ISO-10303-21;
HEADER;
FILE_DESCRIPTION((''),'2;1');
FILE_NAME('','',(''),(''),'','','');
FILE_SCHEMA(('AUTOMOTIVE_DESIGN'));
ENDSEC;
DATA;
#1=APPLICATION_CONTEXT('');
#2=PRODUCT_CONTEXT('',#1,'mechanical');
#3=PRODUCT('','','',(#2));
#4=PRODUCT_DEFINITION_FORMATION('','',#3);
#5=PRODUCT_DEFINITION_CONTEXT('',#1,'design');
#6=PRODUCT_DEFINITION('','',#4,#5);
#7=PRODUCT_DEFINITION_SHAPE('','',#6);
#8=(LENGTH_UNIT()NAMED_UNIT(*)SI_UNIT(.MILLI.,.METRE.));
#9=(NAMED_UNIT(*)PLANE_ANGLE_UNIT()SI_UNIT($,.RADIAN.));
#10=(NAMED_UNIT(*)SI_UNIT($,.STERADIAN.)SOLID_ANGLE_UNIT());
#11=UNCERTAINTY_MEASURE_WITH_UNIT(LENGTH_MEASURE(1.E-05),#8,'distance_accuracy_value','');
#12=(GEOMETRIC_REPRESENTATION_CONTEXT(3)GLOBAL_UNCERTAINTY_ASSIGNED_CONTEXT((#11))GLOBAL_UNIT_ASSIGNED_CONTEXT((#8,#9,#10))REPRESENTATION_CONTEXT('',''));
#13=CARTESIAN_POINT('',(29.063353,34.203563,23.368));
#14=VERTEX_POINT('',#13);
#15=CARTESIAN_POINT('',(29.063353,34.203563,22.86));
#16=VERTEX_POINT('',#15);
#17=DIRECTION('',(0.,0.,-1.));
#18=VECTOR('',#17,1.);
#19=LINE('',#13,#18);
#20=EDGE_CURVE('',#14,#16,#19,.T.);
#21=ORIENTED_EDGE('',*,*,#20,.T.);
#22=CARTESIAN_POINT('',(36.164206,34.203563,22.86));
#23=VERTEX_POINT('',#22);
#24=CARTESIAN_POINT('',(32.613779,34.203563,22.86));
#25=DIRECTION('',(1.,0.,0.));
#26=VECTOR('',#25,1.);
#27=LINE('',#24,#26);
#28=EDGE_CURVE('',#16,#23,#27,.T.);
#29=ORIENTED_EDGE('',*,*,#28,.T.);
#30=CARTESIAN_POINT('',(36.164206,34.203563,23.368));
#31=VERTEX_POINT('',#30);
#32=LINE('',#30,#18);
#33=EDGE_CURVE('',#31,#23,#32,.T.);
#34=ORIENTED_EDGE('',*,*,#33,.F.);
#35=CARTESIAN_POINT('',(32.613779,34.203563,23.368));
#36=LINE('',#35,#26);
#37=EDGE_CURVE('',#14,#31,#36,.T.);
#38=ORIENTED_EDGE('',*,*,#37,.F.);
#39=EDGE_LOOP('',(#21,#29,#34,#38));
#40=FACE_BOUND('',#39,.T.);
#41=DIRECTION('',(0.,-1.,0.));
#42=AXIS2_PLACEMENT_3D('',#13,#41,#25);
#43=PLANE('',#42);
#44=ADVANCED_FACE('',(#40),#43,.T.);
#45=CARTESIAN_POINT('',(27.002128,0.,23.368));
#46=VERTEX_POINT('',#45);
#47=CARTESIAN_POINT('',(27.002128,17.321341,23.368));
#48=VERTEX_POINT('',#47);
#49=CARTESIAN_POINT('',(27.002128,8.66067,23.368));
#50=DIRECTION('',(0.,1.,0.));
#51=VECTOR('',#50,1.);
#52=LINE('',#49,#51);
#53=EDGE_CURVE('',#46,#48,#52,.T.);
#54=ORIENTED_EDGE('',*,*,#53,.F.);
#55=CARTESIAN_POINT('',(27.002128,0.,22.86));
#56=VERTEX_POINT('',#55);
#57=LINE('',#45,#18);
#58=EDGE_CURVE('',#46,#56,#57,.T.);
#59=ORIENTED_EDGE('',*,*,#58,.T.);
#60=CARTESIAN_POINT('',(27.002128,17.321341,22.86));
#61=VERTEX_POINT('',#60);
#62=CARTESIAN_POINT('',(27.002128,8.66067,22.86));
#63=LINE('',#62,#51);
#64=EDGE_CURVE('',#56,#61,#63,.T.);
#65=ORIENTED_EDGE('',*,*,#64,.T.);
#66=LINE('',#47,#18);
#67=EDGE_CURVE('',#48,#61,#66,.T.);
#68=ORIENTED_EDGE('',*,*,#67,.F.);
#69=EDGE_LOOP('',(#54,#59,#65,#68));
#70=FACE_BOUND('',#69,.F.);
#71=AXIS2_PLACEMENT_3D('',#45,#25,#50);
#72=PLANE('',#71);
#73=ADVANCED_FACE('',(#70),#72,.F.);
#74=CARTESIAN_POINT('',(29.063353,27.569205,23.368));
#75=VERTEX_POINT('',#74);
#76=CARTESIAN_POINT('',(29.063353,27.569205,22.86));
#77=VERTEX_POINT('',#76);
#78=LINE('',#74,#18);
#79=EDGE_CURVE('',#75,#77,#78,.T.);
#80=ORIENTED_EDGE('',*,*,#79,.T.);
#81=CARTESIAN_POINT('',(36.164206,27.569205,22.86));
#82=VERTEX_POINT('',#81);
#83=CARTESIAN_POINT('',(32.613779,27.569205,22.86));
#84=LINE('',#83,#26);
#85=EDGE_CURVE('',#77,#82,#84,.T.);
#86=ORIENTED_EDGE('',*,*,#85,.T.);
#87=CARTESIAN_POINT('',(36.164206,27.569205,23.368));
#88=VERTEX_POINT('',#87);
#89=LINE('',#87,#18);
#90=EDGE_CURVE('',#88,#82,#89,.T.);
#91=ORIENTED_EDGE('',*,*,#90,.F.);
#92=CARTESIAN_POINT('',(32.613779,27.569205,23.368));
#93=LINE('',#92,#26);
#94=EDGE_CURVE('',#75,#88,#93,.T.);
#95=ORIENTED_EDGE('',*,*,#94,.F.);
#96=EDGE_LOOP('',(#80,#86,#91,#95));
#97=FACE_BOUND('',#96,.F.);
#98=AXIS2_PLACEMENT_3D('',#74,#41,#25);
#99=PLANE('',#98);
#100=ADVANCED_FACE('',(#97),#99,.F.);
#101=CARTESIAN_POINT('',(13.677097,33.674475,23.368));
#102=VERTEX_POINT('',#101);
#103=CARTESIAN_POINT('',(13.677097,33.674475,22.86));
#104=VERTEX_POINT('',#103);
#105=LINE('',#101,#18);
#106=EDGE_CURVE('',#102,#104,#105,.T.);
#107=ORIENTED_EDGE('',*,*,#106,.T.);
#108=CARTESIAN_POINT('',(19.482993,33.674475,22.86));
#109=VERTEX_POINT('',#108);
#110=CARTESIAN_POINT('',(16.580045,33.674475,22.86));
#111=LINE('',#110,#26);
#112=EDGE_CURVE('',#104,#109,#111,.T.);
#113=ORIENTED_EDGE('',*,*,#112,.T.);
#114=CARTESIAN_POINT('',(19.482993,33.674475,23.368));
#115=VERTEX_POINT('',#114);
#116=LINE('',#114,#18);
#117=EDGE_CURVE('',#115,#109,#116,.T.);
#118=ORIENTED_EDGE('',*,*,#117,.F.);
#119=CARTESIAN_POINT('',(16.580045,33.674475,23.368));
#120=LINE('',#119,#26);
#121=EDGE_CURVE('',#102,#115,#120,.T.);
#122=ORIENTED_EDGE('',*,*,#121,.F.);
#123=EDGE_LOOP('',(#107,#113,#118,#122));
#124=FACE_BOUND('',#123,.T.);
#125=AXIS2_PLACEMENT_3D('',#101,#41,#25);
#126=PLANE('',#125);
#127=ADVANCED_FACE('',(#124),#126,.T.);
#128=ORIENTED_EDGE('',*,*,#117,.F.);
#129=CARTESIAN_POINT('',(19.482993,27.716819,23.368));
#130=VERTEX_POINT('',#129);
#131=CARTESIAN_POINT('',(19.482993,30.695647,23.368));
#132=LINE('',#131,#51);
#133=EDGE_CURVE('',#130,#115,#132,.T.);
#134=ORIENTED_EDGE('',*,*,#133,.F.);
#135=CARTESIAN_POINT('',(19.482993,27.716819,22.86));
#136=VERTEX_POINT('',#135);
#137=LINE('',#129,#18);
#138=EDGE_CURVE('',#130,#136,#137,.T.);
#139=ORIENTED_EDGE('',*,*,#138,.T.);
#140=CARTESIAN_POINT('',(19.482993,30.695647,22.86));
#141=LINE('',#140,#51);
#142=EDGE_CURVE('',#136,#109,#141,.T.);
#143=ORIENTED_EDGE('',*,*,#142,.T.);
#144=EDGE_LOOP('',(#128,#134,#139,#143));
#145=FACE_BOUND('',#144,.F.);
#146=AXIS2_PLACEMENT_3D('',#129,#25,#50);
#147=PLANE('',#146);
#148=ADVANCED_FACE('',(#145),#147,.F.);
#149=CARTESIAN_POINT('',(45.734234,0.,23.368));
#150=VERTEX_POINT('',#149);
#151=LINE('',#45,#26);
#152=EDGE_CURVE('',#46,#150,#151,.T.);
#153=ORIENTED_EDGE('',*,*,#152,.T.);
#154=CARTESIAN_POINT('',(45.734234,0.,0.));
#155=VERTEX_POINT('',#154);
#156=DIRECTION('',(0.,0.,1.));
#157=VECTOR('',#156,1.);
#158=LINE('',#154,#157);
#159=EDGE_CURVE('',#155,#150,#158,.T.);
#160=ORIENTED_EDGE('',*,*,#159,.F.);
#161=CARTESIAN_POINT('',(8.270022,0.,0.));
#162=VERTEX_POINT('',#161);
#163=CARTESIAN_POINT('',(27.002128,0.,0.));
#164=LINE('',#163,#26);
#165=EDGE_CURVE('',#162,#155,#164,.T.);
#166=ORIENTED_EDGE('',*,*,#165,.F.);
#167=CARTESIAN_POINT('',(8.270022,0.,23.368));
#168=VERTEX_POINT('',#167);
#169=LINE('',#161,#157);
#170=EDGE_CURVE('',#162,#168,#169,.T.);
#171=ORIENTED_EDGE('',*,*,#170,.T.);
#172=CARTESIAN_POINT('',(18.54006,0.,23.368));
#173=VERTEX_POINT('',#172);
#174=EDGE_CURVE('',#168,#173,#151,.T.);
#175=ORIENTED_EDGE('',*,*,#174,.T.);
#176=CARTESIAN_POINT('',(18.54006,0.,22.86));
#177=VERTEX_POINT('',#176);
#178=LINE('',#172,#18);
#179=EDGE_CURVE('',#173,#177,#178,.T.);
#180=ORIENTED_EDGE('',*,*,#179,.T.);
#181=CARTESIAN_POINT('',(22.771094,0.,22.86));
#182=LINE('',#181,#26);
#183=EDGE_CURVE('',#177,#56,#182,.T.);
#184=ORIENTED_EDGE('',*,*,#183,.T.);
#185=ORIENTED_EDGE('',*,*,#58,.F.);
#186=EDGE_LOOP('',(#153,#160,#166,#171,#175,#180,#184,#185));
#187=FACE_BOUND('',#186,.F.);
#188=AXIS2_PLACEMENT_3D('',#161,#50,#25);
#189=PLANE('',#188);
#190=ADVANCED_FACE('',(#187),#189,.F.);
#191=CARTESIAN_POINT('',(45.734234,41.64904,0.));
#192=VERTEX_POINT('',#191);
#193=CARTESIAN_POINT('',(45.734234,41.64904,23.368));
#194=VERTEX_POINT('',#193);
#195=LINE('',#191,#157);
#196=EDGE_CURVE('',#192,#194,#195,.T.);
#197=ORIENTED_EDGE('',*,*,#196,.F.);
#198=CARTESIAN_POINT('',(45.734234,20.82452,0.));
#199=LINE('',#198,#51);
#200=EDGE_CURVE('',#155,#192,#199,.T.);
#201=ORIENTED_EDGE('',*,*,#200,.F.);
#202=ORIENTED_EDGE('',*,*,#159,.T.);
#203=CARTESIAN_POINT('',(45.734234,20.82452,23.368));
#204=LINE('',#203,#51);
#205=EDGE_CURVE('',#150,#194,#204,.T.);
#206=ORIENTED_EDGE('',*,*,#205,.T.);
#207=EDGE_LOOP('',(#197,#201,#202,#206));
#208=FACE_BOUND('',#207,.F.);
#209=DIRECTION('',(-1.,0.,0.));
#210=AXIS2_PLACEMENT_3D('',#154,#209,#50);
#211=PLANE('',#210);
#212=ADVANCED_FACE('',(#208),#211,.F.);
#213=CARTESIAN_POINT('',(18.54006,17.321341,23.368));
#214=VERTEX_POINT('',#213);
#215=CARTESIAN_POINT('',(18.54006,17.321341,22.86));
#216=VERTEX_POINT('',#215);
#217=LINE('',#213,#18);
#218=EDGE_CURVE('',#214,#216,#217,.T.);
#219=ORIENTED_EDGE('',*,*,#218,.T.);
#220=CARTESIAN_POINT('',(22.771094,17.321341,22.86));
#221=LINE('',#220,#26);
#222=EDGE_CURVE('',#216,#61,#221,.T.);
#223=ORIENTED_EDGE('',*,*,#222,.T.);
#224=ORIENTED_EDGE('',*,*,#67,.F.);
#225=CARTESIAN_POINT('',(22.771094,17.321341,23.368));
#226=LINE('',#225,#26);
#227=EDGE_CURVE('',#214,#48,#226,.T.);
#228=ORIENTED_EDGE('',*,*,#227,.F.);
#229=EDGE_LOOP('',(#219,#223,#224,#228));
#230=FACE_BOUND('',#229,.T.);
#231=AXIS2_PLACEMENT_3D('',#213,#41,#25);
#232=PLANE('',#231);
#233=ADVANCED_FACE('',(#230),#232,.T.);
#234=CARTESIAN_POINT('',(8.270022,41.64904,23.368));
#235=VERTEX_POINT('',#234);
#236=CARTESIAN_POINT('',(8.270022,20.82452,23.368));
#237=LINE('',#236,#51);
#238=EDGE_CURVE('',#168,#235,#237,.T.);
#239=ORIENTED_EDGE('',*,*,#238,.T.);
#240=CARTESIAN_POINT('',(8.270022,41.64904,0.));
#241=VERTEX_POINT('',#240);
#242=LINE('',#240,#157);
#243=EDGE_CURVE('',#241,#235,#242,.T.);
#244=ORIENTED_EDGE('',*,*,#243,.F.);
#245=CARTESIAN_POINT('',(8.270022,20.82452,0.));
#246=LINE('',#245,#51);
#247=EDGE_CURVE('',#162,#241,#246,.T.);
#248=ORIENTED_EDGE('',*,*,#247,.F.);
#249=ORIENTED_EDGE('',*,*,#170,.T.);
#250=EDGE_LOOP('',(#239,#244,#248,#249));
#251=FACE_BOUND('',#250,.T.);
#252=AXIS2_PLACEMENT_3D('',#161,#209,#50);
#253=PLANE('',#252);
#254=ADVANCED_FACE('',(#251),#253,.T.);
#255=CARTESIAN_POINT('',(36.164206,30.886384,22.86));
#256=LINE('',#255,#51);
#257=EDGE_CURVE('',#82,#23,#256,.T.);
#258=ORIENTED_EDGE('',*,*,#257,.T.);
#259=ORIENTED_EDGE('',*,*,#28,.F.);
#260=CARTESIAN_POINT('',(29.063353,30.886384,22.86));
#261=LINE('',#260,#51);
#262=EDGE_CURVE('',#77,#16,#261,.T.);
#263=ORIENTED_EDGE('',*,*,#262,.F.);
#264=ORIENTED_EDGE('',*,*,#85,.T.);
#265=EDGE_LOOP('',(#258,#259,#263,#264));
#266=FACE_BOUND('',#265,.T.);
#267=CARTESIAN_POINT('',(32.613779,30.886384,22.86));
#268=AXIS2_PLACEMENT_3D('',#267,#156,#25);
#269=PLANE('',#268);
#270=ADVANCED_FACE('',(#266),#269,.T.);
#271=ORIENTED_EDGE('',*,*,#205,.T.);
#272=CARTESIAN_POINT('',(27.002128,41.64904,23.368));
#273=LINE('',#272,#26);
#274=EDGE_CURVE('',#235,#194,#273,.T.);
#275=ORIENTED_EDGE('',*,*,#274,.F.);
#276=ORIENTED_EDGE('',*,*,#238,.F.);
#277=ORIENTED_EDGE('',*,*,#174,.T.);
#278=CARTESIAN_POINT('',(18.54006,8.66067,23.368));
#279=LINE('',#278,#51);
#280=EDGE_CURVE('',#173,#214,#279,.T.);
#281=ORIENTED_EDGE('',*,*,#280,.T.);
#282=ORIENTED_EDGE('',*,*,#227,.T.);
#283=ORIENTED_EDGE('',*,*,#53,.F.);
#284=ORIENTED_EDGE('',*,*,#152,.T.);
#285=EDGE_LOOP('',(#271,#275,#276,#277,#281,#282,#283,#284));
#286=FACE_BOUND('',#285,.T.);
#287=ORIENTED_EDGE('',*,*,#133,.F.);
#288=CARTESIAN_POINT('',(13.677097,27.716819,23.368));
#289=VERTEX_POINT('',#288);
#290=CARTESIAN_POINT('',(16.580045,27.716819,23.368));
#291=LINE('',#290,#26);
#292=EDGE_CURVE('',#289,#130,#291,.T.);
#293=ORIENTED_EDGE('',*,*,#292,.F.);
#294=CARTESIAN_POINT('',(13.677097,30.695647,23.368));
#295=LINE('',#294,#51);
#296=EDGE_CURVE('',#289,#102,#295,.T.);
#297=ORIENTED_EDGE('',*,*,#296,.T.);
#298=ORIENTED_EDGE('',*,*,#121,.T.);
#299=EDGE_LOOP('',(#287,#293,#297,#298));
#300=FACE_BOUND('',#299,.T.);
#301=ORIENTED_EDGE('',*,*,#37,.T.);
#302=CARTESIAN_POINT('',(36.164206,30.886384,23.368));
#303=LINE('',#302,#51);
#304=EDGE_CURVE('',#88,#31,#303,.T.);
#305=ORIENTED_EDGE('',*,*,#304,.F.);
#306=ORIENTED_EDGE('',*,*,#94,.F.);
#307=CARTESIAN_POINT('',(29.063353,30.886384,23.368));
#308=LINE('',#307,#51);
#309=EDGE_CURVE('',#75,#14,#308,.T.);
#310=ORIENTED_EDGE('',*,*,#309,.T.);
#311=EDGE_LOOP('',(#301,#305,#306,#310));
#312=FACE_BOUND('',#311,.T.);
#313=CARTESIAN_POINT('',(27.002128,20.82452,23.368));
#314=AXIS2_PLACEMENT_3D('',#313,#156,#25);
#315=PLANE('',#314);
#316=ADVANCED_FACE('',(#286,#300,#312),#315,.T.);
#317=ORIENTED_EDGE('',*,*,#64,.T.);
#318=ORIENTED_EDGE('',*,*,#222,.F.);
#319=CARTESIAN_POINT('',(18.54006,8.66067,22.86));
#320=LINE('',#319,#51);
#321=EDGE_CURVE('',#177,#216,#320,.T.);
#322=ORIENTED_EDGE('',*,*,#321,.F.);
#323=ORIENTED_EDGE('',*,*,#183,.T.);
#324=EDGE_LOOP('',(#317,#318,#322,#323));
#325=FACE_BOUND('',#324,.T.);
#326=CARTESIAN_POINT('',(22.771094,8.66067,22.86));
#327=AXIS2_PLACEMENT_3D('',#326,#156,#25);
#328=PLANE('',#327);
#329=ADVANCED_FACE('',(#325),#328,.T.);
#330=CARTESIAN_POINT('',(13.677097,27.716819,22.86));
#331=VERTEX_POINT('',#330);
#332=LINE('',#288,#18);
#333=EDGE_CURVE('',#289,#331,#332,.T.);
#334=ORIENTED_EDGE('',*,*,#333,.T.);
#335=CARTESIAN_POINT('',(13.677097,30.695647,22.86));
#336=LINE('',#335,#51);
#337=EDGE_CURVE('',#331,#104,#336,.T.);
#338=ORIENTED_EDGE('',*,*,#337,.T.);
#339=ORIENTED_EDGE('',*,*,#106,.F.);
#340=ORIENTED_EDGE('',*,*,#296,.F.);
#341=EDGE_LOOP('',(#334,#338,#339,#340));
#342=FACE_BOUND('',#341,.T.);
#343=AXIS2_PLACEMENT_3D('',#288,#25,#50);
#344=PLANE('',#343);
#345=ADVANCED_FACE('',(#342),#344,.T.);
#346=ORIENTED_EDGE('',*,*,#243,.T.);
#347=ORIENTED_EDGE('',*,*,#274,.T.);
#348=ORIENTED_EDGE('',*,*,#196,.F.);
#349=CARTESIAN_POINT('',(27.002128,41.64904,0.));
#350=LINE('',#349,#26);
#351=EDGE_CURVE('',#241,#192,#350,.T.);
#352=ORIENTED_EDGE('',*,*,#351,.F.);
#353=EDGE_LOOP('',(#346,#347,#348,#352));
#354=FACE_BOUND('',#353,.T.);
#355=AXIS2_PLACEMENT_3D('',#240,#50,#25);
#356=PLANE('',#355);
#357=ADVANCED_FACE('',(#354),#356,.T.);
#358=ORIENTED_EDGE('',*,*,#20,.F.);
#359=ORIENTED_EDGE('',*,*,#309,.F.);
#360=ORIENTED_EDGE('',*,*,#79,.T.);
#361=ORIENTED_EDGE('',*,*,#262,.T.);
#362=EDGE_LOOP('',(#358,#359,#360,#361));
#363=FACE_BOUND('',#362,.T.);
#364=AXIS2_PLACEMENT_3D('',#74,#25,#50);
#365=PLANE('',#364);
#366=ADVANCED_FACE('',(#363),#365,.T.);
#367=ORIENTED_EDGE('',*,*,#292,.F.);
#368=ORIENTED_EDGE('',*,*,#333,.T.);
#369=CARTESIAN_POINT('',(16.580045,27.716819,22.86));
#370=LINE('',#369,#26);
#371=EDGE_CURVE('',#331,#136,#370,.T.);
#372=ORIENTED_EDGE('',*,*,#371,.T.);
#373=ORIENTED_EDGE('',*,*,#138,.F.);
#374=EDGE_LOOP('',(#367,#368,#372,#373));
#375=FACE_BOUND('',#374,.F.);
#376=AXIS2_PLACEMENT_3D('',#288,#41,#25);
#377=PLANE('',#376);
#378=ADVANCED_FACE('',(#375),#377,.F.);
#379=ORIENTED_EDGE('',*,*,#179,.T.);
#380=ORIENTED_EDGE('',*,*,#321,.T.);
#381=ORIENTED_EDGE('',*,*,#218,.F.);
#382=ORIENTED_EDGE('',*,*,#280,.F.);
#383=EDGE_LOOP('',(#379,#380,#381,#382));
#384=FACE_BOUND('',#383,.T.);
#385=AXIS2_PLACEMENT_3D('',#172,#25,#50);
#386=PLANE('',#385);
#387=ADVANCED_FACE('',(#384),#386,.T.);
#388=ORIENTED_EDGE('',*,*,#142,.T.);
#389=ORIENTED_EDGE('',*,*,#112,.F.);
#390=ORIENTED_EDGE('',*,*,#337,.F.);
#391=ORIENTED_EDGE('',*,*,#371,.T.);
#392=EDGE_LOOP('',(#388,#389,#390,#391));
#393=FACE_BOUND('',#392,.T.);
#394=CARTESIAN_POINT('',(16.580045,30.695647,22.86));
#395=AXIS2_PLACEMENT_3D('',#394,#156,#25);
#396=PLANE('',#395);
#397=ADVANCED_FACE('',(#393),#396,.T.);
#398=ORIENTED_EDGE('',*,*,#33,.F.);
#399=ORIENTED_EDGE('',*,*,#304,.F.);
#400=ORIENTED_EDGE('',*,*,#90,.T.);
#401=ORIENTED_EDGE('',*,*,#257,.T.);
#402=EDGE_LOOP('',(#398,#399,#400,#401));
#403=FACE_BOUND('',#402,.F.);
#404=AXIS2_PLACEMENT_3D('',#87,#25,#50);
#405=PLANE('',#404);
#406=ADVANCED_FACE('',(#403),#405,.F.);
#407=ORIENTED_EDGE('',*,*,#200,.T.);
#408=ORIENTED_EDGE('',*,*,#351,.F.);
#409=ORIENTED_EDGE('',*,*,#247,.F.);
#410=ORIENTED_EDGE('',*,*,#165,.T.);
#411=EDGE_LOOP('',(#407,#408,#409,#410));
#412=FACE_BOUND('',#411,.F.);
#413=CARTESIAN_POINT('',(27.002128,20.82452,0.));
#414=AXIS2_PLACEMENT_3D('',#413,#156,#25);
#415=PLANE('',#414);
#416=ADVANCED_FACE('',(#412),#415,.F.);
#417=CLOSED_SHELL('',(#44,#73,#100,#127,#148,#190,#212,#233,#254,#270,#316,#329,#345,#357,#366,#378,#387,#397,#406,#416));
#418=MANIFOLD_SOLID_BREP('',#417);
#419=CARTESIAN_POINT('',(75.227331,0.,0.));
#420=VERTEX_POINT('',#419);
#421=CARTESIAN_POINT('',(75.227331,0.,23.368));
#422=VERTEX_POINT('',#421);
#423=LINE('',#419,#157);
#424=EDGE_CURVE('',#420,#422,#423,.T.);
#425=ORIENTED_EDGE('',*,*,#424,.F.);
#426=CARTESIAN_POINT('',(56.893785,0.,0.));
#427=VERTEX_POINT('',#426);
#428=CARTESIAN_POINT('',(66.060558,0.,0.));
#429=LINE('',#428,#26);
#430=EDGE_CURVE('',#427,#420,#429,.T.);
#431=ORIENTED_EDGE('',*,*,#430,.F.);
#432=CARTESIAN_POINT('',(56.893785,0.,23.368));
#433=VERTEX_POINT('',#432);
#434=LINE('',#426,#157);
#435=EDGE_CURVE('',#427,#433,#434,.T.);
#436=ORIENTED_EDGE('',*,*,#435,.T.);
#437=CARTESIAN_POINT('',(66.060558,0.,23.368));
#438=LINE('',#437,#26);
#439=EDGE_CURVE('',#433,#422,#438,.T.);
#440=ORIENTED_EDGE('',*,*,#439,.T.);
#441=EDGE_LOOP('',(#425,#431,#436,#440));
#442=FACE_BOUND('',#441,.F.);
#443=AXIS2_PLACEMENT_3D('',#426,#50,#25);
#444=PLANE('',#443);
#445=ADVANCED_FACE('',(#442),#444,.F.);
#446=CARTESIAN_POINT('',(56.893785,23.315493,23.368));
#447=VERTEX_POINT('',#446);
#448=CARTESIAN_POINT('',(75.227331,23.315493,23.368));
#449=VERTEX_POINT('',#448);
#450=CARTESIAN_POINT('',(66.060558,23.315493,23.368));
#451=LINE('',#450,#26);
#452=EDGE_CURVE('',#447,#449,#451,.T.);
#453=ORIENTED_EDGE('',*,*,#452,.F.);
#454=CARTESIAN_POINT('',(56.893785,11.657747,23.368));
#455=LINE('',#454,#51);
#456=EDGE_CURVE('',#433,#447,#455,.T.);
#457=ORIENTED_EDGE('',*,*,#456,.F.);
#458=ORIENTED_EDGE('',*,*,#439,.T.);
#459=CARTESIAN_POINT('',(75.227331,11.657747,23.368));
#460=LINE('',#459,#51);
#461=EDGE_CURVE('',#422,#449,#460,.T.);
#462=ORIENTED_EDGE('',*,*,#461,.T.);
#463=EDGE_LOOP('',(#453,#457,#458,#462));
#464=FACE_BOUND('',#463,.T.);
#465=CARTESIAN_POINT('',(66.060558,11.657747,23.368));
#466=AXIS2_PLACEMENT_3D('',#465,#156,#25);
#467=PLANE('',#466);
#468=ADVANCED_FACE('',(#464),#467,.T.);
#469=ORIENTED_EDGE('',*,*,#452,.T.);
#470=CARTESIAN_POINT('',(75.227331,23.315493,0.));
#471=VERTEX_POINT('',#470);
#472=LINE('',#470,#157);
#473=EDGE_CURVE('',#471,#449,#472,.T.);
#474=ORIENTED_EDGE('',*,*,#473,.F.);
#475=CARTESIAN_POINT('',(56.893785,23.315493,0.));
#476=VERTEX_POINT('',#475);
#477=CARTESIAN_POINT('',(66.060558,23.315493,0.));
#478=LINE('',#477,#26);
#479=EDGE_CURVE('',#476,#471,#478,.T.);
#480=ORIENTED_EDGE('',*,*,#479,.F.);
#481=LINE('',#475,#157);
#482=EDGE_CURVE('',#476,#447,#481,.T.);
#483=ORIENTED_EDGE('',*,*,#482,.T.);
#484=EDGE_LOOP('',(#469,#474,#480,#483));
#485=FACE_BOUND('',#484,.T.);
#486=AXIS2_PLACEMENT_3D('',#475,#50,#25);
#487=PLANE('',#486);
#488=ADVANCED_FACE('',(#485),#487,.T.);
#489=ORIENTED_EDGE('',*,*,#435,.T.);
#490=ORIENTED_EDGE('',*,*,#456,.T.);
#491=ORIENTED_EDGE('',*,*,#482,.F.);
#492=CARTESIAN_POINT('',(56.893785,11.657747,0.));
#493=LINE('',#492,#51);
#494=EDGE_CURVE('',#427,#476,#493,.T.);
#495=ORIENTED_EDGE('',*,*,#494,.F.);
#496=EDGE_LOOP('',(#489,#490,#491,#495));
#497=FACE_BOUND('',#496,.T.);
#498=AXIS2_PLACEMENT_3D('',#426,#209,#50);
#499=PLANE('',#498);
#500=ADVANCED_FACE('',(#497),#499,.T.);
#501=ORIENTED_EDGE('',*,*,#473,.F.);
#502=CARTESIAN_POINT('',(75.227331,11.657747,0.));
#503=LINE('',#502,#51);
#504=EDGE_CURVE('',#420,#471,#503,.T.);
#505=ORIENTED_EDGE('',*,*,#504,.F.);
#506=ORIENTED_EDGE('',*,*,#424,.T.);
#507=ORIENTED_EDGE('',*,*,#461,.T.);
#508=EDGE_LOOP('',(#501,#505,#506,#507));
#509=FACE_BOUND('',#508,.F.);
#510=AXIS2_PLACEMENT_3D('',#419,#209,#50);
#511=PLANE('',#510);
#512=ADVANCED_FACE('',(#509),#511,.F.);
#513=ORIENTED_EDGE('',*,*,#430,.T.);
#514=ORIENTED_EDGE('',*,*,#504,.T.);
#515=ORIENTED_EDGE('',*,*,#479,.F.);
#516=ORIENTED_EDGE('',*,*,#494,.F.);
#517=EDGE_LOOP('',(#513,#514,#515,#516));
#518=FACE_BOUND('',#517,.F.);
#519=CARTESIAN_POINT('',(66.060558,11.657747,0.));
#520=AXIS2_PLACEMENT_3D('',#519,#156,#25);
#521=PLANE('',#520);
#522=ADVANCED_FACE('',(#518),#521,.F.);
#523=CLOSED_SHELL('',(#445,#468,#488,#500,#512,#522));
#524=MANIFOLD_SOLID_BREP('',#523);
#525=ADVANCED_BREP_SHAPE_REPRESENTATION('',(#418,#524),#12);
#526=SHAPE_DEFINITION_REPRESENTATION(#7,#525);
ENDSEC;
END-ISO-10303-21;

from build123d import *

# Parameters (mm, degrees)
F0_W     = 37.4642126262
F0_H     = 41.6490398347
F1_DEPTH = 23.368
F0_W_2   = 18.3335468173
F0_H_2   = 23.3154930174
F2_W     = 5.8058956638
F2_H     = 5.9576556087
F2_W_2   = 7.1008522063
F2_H_2   = 6.6343583167
F2_W_3   = 8.4620676935
F2_H_3   = 17.3213407397
F3_DEPTH = 0.508


with BuildPart() as f1:
    # F0 (on Top) → F1 (new body)
    with BuildSketch(Plane.XY):
        with Locations((27.0021278411, 20.8245199174)):
            Rectangle(F0_W, F0_H)
    extrude(amount=F1_DEPTH)

    # F2 (on face) → F3 (cut)
    with BuildSketch(Plane.XY.offset(23.368)):
        with Locations((16.5800447576, 30.6956470013)):
            Rectangle(F2_W, F2_H)
        with Locations((32.6137794182, 30.8863837272)):
            Rectangle(F2_W_2, F2_H_2)
        with Locations((22.7710939944, 8.6606703699)):
            Rectangle(F2_W_3, F2_H_3)
    extrude(amount=-F3_DEPTH, mode=Mode.SUBTRACT)


with BuildPart() as f1b:
    # F0 (on Top) → F1, piece 2 (new body)
    with BuildSketch(Plane.XY):
        with Locations((66.0605579615, 11.6577465087)):
            Rectangle(F0_W_2, F0_H_2)
    extrude(amount=F1_DEPTH)


solid = Compound([f1.part, f1b.part])
